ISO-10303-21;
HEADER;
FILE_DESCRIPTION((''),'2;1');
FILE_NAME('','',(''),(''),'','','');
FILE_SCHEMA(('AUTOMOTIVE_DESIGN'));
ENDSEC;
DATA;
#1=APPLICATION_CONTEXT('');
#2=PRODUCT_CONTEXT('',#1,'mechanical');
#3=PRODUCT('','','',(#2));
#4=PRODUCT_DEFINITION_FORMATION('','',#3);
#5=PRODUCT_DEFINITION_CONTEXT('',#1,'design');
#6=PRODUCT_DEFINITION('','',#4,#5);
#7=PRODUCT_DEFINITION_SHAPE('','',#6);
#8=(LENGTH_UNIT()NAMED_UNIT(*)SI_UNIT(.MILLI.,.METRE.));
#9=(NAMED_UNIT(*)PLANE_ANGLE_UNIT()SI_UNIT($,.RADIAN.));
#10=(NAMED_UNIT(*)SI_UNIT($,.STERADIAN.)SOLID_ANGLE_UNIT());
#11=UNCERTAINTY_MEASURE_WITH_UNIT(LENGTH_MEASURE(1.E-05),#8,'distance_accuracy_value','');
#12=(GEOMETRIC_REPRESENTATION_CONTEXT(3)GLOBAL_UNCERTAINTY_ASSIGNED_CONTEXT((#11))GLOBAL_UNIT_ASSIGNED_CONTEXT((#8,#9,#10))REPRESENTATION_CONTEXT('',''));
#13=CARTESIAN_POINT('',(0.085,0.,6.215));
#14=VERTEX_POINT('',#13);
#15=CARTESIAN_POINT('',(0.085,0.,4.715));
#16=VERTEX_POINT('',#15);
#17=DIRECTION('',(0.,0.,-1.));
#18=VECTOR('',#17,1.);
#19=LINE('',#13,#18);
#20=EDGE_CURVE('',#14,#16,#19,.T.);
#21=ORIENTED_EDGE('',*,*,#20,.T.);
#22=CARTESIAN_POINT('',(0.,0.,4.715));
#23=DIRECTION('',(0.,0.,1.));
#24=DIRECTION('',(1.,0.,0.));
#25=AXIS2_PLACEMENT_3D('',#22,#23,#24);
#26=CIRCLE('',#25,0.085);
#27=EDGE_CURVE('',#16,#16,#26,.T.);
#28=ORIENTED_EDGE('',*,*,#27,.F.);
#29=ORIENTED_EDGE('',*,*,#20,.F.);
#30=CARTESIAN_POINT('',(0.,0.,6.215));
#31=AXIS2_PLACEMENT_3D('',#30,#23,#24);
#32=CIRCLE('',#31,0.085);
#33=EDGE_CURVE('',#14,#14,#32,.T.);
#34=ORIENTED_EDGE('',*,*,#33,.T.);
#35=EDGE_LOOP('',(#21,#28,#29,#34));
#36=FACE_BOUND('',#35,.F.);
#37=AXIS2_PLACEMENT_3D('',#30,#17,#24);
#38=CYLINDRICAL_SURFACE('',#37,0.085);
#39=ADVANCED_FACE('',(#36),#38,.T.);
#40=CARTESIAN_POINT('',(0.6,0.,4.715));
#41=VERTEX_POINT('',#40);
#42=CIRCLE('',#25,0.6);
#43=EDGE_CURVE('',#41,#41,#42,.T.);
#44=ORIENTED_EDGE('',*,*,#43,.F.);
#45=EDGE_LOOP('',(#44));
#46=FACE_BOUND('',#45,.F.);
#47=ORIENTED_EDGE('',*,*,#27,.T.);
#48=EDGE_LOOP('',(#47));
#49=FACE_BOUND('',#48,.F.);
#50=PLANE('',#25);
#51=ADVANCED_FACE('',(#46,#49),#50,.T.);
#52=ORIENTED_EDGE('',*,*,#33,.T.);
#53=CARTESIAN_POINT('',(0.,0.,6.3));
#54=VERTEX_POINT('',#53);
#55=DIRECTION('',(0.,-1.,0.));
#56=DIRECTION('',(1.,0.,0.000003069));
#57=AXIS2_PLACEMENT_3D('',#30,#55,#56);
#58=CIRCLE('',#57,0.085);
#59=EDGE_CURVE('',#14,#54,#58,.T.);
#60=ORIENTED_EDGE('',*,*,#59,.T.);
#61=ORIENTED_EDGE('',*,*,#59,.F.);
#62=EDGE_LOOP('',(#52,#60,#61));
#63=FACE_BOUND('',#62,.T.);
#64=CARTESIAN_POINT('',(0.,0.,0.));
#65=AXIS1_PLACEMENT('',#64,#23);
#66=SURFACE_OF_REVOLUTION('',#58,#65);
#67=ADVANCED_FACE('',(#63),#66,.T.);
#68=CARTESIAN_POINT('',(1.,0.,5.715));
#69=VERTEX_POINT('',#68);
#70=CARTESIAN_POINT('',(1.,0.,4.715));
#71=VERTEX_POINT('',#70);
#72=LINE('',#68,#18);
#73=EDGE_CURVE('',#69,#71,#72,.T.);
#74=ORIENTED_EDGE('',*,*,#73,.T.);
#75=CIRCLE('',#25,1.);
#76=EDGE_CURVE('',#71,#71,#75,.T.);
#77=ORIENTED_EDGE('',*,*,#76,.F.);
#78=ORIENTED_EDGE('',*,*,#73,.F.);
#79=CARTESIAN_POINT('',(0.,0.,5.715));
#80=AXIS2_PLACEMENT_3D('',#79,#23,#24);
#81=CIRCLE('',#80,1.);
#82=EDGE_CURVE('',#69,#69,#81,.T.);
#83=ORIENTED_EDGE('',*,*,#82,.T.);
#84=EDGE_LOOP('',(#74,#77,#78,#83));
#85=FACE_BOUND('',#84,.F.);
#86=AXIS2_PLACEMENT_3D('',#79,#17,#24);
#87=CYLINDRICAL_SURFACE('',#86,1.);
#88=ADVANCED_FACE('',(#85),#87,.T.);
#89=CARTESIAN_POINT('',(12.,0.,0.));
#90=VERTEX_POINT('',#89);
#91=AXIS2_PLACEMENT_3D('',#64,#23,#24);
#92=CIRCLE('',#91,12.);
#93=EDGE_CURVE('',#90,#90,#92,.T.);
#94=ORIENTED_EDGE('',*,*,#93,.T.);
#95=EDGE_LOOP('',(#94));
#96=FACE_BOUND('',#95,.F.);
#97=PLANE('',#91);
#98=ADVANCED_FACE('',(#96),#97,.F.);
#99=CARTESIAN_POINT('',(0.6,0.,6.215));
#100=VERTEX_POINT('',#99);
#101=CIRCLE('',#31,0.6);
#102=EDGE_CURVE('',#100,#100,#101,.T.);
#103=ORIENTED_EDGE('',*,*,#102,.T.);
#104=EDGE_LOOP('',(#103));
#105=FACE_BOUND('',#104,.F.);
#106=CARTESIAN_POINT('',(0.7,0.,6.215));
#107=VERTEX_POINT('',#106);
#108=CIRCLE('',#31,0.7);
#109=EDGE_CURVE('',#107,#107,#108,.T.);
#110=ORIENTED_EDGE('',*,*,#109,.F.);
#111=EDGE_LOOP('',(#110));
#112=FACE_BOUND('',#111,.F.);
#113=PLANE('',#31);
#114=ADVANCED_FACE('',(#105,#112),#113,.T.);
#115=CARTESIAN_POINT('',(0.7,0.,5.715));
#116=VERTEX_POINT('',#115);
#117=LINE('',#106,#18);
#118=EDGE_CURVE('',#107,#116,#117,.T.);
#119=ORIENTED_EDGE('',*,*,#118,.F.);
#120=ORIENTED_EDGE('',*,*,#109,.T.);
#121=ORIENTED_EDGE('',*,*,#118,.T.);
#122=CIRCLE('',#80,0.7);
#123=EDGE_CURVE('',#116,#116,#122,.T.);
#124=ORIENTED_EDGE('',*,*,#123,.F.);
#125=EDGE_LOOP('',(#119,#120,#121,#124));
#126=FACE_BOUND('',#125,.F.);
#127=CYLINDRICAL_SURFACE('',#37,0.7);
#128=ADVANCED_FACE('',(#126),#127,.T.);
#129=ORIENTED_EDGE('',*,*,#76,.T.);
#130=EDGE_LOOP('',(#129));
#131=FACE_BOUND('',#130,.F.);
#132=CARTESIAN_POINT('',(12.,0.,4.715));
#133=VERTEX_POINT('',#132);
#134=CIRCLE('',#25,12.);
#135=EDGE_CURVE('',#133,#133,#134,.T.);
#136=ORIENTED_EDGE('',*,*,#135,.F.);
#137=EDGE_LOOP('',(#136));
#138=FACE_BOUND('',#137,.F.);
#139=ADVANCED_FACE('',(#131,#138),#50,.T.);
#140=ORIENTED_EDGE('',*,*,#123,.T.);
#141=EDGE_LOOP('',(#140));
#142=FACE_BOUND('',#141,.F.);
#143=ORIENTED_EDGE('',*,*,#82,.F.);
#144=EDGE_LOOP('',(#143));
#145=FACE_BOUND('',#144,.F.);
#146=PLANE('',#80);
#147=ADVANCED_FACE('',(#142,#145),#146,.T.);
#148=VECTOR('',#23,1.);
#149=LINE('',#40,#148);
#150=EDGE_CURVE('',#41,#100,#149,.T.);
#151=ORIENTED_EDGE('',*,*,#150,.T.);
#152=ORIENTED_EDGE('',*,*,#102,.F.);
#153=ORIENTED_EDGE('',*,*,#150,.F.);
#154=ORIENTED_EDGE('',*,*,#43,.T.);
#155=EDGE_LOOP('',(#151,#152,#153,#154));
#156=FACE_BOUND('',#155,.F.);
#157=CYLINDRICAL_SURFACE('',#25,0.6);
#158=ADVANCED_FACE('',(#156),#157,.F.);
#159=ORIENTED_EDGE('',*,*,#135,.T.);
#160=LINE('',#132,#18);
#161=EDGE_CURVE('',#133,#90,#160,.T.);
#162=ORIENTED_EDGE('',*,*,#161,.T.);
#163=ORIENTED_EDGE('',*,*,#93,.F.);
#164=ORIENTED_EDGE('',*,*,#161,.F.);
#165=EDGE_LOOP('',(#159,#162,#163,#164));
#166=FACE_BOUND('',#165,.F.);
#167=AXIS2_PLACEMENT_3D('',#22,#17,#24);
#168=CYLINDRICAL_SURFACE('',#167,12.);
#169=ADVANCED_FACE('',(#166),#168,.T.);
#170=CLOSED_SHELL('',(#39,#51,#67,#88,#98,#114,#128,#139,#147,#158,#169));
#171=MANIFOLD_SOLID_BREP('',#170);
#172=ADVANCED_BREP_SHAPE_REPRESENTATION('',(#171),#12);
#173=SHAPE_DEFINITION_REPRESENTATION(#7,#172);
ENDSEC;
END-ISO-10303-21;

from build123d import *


with BuildPart() as part:
    # Sketch → Revolution (revolve)
    with BuildSketch(Plane.XZ):
        with BuildLine():
            Line((0.085, 6.215), (0.085, 4.715))
            Line((0.085, 4.715), (0.6, 4.715))
            Line((0.6, 4.715), (0.6, 6.215))
            Line((0.6, 6.215), (0.7, 6.215))
            Line((0.7, 6.215), (0.7, 5.715))
            Line((0.7, 5.715), (1, 5.715))
            Line((1, 5.715), (1, 4.715))
            Line((1, 4.715), (12, 4.715))
            Line((12, 4.715), (12, 0))
            Line((12, 0), (0, 0))
            Line((0, 0), (0, 6.3))
            ThreePointArc((0.085, 6.215), (0.060104, 6.275104), (0, 6.3))
        make_face()
    revolve(axis=Axis((0, 0, 0), (0, 0, 1)))


solid = part.part
